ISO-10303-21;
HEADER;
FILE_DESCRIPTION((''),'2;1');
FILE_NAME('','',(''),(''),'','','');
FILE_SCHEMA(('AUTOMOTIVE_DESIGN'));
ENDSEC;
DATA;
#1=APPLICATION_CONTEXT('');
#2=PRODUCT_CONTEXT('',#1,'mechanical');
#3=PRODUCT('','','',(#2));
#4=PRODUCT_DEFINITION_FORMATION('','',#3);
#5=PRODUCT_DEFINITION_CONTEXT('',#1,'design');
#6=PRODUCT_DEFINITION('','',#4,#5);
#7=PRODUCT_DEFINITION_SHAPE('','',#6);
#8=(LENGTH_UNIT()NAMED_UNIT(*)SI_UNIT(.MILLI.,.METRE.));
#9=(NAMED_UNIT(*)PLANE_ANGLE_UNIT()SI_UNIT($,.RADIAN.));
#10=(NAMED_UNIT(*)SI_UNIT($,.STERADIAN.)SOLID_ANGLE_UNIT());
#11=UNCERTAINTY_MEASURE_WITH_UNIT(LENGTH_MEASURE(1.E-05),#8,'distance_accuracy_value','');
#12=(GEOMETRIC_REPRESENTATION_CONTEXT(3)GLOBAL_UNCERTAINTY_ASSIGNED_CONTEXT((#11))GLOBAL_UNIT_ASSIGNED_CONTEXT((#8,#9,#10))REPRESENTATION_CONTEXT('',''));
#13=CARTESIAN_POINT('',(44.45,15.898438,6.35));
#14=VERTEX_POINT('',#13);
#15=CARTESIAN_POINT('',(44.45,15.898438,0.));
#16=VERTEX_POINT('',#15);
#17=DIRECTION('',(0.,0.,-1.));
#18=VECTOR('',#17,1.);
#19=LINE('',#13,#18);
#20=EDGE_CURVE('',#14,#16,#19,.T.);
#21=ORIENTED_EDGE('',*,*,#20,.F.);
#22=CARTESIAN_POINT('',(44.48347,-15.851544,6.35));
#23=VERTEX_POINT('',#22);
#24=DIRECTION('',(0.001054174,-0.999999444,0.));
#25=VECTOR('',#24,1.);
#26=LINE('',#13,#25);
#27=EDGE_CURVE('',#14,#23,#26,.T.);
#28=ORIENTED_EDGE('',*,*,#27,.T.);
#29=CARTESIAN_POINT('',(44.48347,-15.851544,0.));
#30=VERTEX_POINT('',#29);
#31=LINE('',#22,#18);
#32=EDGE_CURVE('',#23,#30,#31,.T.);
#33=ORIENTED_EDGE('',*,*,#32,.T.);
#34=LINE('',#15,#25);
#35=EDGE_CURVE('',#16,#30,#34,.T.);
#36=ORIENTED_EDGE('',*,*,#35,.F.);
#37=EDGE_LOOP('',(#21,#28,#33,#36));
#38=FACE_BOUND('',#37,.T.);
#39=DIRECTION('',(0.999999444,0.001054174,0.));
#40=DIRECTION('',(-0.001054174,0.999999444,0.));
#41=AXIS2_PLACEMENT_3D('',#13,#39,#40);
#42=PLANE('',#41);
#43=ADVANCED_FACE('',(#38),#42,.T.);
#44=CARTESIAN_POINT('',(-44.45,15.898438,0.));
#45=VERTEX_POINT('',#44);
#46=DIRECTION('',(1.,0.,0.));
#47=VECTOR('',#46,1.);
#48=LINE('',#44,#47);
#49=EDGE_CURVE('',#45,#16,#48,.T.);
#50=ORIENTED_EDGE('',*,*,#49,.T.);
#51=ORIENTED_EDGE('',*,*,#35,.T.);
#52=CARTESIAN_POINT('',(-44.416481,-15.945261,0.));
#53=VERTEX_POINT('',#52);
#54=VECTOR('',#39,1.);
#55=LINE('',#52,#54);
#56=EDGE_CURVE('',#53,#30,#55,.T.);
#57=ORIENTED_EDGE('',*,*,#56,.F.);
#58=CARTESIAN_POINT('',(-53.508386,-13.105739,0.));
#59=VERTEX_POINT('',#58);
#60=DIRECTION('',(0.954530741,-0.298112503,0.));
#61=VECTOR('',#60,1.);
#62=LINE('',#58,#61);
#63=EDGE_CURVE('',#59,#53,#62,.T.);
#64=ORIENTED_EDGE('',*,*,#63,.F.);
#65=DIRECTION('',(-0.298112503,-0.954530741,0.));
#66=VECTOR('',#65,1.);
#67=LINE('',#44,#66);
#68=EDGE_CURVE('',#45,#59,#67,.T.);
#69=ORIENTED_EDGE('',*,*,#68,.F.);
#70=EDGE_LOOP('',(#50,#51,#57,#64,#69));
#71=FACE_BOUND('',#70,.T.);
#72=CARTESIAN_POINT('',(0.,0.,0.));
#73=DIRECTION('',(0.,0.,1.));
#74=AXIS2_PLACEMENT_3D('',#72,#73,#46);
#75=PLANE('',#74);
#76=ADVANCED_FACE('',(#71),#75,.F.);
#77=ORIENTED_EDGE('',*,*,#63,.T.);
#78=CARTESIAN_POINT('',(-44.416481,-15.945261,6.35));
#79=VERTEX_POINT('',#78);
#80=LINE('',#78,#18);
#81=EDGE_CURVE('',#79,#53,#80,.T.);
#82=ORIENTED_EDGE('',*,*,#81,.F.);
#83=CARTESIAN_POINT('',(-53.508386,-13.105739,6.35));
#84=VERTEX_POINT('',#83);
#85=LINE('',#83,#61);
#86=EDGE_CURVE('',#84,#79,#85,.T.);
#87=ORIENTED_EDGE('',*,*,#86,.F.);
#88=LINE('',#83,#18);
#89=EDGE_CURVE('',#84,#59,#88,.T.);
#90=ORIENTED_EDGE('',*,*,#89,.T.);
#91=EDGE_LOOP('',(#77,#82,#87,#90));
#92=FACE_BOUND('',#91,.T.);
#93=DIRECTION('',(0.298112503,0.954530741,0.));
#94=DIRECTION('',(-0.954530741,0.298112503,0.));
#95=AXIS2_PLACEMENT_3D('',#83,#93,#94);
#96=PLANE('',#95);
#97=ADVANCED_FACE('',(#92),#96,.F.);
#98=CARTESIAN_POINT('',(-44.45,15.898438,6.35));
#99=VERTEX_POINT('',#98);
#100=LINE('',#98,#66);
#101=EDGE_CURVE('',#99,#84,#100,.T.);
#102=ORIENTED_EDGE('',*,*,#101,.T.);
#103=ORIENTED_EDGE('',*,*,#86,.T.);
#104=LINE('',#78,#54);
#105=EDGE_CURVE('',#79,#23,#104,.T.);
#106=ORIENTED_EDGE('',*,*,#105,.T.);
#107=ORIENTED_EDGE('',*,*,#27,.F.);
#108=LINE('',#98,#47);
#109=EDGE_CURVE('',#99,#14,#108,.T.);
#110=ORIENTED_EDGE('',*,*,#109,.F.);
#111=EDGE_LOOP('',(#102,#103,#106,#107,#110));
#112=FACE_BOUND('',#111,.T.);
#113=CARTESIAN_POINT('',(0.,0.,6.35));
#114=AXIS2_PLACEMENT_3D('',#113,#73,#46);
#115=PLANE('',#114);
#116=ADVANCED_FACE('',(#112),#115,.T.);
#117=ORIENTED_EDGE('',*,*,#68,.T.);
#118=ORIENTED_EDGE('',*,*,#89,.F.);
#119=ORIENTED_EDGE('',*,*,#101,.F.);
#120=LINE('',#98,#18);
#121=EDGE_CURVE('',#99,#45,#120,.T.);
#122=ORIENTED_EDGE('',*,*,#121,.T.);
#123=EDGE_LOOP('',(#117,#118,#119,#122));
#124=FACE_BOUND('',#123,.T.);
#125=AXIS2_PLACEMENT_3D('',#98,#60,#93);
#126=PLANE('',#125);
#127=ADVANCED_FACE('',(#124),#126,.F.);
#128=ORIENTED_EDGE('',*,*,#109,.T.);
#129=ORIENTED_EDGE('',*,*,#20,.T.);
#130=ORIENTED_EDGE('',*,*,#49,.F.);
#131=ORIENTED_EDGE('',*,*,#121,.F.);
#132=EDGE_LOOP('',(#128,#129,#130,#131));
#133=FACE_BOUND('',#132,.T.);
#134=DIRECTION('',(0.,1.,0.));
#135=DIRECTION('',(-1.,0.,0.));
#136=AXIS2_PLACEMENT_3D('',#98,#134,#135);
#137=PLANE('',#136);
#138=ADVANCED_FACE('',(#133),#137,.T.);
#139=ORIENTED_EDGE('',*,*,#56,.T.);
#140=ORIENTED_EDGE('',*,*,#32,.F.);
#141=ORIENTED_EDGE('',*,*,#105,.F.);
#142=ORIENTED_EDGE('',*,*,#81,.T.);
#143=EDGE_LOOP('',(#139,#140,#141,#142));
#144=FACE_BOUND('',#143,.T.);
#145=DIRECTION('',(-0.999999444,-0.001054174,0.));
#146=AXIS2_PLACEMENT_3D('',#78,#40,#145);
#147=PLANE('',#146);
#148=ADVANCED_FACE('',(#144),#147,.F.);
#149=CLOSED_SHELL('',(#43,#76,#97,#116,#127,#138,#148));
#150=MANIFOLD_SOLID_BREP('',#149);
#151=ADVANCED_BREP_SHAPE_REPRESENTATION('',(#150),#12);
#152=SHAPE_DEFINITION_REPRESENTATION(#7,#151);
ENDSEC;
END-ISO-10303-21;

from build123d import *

# Parameters (mm, degrees)
BOSS_EXTRUDE1_DEPTH = 6.35


with BuildPart() as part:
    # Sketch1 → Boss-Extrude1 (new body)
    with BuildSketch(Plane.XY):
        Polygon((-44.45, 15.89843786), (44.45, 15.89843786), (44.483470038, -15.851544498), (-44.416480565, -15.945260604), (-53.508385872, -13.105739009), align=None)
    extrude(amount=BOSS_EXTRUDE1_DEPTH)


solid = part.part
